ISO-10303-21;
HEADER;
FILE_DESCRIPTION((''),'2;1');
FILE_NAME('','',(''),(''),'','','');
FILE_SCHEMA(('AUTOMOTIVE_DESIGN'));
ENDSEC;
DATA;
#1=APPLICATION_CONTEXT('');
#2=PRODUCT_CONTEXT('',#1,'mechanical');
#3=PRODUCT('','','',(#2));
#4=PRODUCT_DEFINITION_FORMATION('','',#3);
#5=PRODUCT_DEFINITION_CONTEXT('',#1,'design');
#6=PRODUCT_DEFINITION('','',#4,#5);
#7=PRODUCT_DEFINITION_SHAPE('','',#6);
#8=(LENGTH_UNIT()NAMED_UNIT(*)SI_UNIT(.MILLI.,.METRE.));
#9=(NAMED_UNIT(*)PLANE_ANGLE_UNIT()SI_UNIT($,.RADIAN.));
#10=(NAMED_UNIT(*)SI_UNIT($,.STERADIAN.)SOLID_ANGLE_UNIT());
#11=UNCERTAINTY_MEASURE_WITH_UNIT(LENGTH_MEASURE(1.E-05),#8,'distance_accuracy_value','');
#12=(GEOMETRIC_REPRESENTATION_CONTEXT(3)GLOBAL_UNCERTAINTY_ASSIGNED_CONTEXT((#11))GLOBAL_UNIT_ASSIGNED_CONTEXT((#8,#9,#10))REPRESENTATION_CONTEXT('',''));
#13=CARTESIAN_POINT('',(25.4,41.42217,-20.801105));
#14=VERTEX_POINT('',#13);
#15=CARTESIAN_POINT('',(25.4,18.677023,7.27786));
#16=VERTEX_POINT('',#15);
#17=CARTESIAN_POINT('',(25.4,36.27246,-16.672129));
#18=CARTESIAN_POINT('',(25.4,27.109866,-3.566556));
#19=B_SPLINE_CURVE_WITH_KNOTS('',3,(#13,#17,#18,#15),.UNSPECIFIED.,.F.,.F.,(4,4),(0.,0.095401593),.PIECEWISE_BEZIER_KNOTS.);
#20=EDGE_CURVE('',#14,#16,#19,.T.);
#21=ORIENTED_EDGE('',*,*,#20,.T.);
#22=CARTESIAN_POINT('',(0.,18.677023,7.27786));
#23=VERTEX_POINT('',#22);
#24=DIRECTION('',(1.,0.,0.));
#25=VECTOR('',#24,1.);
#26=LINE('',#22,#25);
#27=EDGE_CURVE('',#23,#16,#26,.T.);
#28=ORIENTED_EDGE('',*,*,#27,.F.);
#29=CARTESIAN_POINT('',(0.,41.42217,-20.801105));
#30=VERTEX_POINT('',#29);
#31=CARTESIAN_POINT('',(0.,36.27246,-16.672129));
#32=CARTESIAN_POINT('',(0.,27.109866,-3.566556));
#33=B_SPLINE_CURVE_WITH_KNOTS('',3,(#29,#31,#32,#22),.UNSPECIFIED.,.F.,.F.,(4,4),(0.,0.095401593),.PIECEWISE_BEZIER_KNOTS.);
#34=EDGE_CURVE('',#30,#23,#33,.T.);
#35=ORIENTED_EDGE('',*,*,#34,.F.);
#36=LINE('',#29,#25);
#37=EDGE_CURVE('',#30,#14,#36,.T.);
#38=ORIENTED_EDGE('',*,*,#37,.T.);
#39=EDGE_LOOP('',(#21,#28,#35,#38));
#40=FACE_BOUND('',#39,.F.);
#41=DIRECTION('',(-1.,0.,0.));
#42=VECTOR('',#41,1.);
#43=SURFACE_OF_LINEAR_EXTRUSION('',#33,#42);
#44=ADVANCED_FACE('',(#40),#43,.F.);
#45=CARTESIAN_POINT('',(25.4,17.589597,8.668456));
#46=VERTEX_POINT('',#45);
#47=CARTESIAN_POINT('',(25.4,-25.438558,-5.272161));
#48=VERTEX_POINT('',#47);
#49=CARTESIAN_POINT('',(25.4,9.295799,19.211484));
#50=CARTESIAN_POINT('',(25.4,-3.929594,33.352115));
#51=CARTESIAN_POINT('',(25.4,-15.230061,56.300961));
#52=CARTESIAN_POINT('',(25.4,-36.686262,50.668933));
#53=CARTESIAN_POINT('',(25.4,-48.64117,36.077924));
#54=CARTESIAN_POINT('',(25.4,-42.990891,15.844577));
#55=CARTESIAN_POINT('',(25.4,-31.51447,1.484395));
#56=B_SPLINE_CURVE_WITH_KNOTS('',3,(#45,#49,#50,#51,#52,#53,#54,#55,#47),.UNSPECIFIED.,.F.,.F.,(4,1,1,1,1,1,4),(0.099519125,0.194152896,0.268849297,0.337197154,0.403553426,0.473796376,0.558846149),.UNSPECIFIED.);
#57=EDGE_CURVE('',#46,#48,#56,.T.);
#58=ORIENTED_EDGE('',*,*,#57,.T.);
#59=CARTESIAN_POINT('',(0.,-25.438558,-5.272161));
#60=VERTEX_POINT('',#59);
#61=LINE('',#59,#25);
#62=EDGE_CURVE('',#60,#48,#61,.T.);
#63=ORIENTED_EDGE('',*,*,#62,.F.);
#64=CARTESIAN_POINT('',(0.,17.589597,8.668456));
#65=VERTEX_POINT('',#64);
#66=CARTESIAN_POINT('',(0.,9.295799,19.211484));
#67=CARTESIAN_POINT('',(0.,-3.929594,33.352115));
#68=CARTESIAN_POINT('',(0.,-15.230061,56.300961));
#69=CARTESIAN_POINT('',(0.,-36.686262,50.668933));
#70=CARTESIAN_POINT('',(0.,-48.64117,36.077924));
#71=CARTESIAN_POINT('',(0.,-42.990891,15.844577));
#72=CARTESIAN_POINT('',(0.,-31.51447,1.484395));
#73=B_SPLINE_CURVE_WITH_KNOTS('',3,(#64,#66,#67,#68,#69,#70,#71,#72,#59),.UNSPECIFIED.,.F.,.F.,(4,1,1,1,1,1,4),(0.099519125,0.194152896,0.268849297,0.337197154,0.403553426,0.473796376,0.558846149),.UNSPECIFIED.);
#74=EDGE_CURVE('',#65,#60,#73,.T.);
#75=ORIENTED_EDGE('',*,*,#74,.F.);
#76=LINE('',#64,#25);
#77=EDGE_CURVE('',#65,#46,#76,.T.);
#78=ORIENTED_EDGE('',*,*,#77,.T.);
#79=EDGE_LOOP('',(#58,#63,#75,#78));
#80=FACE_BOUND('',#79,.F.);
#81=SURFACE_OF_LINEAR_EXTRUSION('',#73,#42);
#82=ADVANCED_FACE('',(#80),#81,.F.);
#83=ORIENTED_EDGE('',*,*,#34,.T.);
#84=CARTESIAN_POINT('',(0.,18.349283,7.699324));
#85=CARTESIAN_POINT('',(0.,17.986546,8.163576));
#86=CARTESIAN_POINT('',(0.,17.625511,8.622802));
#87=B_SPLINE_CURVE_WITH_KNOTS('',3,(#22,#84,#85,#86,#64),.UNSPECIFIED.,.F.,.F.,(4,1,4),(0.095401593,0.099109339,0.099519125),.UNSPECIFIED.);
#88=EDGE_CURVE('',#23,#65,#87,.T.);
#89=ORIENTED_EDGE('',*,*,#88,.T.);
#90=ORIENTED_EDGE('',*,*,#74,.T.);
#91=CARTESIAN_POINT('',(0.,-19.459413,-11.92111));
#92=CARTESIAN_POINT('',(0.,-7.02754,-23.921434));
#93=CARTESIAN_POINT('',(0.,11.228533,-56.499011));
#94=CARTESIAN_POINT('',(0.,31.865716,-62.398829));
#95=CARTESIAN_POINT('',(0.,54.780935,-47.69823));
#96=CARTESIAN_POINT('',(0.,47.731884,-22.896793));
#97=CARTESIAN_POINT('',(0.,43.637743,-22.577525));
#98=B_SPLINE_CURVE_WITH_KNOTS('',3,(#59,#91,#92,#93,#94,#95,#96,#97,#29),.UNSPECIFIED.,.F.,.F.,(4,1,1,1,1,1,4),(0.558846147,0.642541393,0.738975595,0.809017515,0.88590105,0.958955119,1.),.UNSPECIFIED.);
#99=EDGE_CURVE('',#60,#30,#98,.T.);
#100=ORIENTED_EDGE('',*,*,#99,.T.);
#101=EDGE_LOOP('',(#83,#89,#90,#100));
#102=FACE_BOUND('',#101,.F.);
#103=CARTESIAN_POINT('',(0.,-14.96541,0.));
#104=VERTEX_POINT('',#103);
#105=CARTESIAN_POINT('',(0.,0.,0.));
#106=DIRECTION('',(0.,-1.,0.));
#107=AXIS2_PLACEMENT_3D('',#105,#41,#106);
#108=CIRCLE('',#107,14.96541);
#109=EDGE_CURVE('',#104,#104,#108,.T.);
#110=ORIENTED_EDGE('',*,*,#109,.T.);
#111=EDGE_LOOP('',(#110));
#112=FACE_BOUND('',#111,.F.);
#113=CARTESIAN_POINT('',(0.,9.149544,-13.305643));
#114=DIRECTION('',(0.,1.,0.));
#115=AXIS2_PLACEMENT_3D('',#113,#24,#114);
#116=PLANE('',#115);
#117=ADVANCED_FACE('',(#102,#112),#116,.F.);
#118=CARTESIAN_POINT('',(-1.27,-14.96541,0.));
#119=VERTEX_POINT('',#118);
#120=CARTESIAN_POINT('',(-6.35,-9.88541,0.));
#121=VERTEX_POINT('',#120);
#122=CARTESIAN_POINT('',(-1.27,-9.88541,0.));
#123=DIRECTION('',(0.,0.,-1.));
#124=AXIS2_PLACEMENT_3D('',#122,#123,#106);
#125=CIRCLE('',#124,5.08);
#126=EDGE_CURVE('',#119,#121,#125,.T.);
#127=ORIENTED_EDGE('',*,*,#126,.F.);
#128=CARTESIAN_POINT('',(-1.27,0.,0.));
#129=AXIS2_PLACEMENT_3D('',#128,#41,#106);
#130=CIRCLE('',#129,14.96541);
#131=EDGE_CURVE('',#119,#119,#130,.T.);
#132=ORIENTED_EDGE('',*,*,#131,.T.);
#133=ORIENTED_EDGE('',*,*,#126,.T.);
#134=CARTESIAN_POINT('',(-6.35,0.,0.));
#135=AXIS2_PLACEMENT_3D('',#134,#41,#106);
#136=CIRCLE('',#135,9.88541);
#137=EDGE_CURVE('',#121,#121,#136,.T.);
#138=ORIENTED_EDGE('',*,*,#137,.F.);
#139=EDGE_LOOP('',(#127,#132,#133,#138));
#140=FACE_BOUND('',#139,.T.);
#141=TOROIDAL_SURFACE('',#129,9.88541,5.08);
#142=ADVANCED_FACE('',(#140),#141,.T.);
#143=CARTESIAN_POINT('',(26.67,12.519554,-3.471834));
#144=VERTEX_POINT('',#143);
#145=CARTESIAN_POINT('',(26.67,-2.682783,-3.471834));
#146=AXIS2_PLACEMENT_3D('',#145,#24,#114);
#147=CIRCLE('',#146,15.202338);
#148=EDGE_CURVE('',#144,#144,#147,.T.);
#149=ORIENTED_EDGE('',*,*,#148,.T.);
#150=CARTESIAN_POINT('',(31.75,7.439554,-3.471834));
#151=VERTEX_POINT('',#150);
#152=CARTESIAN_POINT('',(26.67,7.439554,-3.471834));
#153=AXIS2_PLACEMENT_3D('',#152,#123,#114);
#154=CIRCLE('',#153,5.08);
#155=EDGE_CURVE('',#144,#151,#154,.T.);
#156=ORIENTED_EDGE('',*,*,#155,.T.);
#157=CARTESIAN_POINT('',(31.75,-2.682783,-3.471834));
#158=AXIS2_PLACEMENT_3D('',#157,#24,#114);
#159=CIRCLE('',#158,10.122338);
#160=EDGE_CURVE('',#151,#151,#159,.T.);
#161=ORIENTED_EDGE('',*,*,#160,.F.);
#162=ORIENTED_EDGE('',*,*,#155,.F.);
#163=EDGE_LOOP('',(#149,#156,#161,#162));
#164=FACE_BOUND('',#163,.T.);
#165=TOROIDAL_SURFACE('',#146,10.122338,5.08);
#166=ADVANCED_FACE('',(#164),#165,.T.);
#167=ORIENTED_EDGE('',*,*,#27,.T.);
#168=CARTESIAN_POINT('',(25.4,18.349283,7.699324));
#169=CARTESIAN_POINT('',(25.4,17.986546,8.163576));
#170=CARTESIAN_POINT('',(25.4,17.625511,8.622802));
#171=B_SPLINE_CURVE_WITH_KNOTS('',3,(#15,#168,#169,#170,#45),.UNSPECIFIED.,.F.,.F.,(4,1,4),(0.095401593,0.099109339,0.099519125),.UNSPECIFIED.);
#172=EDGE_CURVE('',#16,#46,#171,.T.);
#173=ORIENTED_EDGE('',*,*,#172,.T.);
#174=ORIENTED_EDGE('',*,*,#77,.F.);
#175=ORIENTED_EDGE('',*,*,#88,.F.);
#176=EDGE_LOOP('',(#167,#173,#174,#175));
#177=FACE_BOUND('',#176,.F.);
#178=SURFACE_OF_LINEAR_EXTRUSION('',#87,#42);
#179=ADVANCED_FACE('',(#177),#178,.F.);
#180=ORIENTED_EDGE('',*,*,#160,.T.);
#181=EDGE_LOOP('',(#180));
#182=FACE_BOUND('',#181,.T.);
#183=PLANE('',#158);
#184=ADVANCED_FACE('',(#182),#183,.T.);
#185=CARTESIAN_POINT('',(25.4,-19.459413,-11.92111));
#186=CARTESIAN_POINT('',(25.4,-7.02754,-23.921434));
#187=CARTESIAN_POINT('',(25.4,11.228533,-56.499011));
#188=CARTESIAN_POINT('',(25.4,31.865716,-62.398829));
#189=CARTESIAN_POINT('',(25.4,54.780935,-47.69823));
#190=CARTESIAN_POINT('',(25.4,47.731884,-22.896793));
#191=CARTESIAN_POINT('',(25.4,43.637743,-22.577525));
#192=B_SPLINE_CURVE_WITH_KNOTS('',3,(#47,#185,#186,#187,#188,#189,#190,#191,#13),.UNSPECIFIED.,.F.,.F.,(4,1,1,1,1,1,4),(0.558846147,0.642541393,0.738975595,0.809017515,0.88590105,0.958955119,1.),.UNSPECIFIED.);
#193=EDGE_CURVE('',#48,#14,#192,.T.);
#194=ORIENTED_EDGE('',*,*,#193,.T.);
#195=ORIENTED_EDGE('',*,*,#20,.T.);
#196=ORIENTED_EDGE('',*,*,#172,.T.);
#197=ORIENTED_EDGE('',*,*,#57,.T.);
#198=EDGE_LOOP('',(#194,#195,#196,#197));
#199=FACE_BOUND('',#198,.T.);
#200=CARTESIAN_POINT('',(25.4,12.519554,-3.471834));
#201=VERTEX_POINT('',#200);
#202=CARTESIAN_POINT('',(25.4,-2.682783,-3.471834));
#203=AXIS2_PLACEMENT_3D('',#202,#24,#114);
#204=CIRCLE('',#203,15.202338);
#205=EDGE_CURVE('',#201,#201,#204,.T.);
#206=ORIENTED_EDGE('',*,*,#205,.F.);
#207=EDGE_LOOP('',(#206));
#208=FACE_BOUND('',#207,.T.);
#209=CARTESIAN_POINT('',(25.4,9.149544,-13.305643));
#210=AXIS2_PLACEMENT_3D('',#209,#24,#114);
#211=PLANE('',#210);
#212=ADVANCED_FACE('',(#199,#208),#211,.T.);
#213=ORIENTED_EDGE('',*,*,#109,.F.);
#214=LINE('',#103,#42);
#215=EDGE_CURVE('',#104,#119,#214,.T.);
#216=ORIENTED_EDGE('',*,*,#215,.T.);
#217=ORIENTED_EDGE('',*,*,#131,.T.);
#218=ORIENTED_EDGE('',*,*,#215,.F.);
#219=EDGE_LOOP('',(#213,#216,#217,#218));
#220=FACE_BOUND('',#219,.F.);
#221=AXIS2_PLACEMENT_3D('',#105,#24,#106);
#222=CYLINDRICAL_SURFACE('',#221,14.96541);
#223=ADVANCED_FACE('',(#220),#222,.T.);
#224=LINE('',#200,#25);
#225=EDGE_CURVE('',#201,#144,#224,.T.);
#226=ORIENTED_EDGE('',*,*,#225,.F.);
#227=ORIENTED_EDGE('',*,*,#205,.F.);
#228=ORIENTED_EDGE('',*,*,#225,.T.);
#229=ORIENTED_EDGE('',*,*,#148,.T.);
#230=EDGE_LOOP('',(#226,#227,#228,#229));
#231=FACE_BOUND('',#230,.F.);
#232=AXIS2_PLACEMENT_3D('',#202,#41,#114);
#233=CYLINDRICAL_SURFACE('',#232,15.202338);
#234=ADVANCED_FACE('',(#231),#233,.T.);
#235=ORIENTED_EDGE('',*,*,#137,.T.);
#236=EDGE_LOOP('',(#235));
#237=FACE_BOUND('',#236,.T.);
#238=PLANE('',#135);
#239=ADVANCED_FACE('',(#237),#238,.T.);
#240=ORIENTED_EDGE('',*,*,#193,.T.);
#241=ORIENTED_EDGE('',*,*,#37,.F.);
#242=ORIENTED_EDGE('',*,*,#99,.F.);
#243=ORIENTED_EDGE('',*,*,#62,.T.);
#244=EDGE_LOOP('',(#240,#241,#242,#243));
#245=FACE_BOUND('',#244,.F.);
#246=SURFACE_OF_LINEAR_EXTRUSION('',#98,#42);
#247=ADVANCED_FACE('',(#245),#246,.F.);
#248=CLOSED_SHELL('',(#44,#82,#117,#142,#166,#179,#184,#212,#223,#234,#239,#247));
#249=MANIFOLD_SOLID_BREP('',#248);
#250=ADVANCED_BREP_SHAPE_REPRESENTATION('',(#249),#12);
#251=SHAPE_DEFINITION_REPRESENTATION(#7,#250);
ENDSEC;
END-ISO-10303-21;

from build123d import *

# Parameters (mm, degrees)
F1_DEPTH = 25.4
F2_R     = 15.2023379057
F3_DEPTH = 6.35
F4_R     = 5.08
F5_R     = 14.9654101867
F6_DEPTH = 6.35
F7_R     = 5.08


with BuildPart() as f1:
    # F0 (on Right) → F1 (new body)
    with BuildSketch(Plane.YZ):
        with BuildLine():
            add(Edge.make_bspline(
                [(17.5895973285, 8.6684559332), (12.926883986, 14.595669488), (8.5494174917, 19.6884086013), (4.5840121801, 24.5384006165)],
                knots=[0.0995191246, 0.0995191246, 0.0995191246, 0.0995191246, 0.152721543, 0.152721543, 0.152721543, 0.152721543], degree=3))
            add(Edge.make_bspline(
                [(4.5840121801, 24.5384006165), (-2.6449352498, 24.2912825538), (-16.1555832179, 23.8277360507), (-20.8656688407, 7.9987518659), (-26.1889236954, 0.4550080745), (-25.6655710399, -3.5394503148), (-25.4385583103, -5.2721607499)],
                knots=[0, 0, 0, 0, 0.3250640996, 0.6074597615, 0.8297202417, 1, 1, 1, 1], degree=3))
            add(Edge.make_bspline(
                [(-25.4385583103, -5.2721607499), (-19.4594130533, -11.9211098705), (-7.0275398922, -23.92143448), (11.2285332479, -56.499011327), (31.8657157041, -62.3988290991), (54.7809349484, -47.6982303514), (47.7318843456, -22.8967932655), (43.6377429171, -22.5775247161), (41.4221696556, -20.8011046052)],
                knots=[0.5588461474, 0.5588461474, 0.5588461474, 0.5588461474, 0.6425413931, 0.7389755952, 0.8090175152, 0.8859010502, 0.9589551189, 1, 1, 1, 1], degree=3))
            add(Edge.make_bspline(
                [(41.4221696556, -20.8011046052), (36.2724600651, -16.6721291203), (27.1098664748, -3.5665562843), (18.677022654, 7.2778597007)],
                knots=[0, 0, 0, 0, 0.0954015927, 0.0954015927, 0.0954015927, 0.0954015927], degree=3))
            add(Edge.make_bspline(
                [(18.677022654, 7.2778597007), (20.5479403218, 4.5193017031), (22.7185021169, -2.2242411706), (20.9560532942, -4.5004371737), (20.4507708549, -5.8810990304)],
                knots=[0.855051074, 0.855051074, 0.855051074, 0.855051074, 0.9432583461, 1, 1, 1, 1], degree=3))
            add(Edge.make_bspline(
                [(20.4507708549, -5.8810990304), (19.7334866596, -7.8410462834), (18.9363412125, -14.6456595882), (6.7083467506, -23.7841967524), (-6.5196901774, -21.2806184823), (-14.2159187864, -13.5782446445), (-18.6143428061, -2.5133707137), (-11.6738903391, 8.7514405367), (-3.167673086, 18.2061044328), (10.8069775822, 13.3883321592), (15.9377118907, 10.4988793955), (17.5895973285, 8.6684559332)],
                knots=[0, 0, 0, 0, 0.0805487948, 0.1860104875, 0.2852583123, 0.3766701629, 0.4688855974, 0.5686999528, 0.6641075306, 0.7690941368, 0.8388777749, 0.8388777749, 0.8388777749, 0.8388777749], degree=3))
        make_face()
        with BuildLine():
            add(Edge.make_bspline(
                [(4.5840121801, 24.5384006165), (-2.6449352498, 24.2912825538), (-16.1555832179, 23.8277360507), (-20.8656688407, 7.9987518659), (-26.1889236954, 0.4550080745), (-25.6655710399, -3.5394503148), (-25.4385583103, -5.2721607499)],
                knots=[0, 0, 0, 0, 0.3250640996, 0.6074597615, 0.8297202417, 1, 1, 1, 1], degree=3))
            add(Edge.make_bspline(
                [(4.5840121801, 24.5384006165), (1.495955059, 28.3153291277), (-6.4591174842, 38.4890393217), (-15.2300614855, 56.3009606306), (-36.68626185, 50.668932912), (-48.6411700722, 36.077924192), (-42.9908909127, 15.8445771028), (-31.5144702266, 1.4843951551), (-25.4385583103, -5.2721607499)],
                knots=[0.152721543, 0.152721543, 0.152721543, 0.152721543, 0.1941528958, 0.2688492969, 0.337197153, 0.4035534252, 0.4737963753, 0.5588461474, 0.5588461474, 0.5588461474, 0.5588461474], degree=3))
        make_face()
        with BuildLine():
            add(Edge.make_bspline(
                [(18.677022654, 7.2778597007), (18.3492834329, 7.6993237434), (17.9865460441, 8.1635757898), (17.6255113718, 8.6228022143), (17.5895973285, 8.6684559332)],
                knots=[0.0954015927, 0.0954015927, 0.0954015927, 0.0954015927, 0.0991093388, 0.0995191246, 0.0995191246, 0.0995191246, 0.0995191246], degree=3))
            add(Edge.make_bspline(
                [(20.4507708549, -5.8810990304), (19.7334866596, -7.8410462834), (18.9363412125, -14.6456595882), (6.7083467506, -23.7841967524), (-6.5196901774, -21.2806184823), (-14.2159187864, -13.5782446445), (-18.6143428061, -2.5133707137), (-11.6738903391, 8.7514405367), (-3.167673086, 18.2061044328), (10.8069775822, 13.3883321592), (15.9377118907, 10.4988793955), (17.5895973285, 8.6684559332)],
                knots=[0, 0, 0, 0, 0.0805487948, 0.1860104875, 0.2852583123, 0.3766701629, 0.4688855974, 0.5686999528, 0.6641075306, 0.7690941368, 0.8388777749, 0.8388777749, 0.8388777749, 0.8388777749], degree=3))
            add(Edge.make_bspline(
                [(18.677022654, 7.2778597007), (20.5479403218, 4.5193017031), (22.7185021169, -2.2242411706), (20.9560532942, -4.5004371737), (20.4507708549, -5.8810990304)],
                knots=[0.855051074, 0.855051074, 0.855051074, 0.855051074, 0.9432583461, 1, 1, 1, 1], degree=3))
        make_face()
    extrude(amount=F1_DEPTH)

    # F2 (on face) → F3 (join)
    with BuildSketch(Plane.YZ.offset(25.4)):
        with Locations((-2.6827834081, -3.4718343522)):
            Circle(F2_R)
    extrude(amount=F3_DEPTH)

    # F4
    f4_edges = [f1.edges().sort_by_distance(p)[0] for p in [
        (31.75, -17.885121, -3.471834),
    ]]
    fillet(f4_edges, radius=F4_R)

    # F5 (on face) → F6 (join)
    with BuildSketch(Plane(origin=(0, 0, 0), x_dir=(0, -1, 0), z_dir=(-1, 0, 0))):
        Circle(F5_R)
    extrude(amount=F6_DEPTH)

    # F7
    f7_edges = [f1.edges().sort_by_distance(p)[0] for p in [
        (-6.35, 14.96541, 0),
    ]]
    fillet(f7_edges, radius=F7_R)


solid = f1.part
